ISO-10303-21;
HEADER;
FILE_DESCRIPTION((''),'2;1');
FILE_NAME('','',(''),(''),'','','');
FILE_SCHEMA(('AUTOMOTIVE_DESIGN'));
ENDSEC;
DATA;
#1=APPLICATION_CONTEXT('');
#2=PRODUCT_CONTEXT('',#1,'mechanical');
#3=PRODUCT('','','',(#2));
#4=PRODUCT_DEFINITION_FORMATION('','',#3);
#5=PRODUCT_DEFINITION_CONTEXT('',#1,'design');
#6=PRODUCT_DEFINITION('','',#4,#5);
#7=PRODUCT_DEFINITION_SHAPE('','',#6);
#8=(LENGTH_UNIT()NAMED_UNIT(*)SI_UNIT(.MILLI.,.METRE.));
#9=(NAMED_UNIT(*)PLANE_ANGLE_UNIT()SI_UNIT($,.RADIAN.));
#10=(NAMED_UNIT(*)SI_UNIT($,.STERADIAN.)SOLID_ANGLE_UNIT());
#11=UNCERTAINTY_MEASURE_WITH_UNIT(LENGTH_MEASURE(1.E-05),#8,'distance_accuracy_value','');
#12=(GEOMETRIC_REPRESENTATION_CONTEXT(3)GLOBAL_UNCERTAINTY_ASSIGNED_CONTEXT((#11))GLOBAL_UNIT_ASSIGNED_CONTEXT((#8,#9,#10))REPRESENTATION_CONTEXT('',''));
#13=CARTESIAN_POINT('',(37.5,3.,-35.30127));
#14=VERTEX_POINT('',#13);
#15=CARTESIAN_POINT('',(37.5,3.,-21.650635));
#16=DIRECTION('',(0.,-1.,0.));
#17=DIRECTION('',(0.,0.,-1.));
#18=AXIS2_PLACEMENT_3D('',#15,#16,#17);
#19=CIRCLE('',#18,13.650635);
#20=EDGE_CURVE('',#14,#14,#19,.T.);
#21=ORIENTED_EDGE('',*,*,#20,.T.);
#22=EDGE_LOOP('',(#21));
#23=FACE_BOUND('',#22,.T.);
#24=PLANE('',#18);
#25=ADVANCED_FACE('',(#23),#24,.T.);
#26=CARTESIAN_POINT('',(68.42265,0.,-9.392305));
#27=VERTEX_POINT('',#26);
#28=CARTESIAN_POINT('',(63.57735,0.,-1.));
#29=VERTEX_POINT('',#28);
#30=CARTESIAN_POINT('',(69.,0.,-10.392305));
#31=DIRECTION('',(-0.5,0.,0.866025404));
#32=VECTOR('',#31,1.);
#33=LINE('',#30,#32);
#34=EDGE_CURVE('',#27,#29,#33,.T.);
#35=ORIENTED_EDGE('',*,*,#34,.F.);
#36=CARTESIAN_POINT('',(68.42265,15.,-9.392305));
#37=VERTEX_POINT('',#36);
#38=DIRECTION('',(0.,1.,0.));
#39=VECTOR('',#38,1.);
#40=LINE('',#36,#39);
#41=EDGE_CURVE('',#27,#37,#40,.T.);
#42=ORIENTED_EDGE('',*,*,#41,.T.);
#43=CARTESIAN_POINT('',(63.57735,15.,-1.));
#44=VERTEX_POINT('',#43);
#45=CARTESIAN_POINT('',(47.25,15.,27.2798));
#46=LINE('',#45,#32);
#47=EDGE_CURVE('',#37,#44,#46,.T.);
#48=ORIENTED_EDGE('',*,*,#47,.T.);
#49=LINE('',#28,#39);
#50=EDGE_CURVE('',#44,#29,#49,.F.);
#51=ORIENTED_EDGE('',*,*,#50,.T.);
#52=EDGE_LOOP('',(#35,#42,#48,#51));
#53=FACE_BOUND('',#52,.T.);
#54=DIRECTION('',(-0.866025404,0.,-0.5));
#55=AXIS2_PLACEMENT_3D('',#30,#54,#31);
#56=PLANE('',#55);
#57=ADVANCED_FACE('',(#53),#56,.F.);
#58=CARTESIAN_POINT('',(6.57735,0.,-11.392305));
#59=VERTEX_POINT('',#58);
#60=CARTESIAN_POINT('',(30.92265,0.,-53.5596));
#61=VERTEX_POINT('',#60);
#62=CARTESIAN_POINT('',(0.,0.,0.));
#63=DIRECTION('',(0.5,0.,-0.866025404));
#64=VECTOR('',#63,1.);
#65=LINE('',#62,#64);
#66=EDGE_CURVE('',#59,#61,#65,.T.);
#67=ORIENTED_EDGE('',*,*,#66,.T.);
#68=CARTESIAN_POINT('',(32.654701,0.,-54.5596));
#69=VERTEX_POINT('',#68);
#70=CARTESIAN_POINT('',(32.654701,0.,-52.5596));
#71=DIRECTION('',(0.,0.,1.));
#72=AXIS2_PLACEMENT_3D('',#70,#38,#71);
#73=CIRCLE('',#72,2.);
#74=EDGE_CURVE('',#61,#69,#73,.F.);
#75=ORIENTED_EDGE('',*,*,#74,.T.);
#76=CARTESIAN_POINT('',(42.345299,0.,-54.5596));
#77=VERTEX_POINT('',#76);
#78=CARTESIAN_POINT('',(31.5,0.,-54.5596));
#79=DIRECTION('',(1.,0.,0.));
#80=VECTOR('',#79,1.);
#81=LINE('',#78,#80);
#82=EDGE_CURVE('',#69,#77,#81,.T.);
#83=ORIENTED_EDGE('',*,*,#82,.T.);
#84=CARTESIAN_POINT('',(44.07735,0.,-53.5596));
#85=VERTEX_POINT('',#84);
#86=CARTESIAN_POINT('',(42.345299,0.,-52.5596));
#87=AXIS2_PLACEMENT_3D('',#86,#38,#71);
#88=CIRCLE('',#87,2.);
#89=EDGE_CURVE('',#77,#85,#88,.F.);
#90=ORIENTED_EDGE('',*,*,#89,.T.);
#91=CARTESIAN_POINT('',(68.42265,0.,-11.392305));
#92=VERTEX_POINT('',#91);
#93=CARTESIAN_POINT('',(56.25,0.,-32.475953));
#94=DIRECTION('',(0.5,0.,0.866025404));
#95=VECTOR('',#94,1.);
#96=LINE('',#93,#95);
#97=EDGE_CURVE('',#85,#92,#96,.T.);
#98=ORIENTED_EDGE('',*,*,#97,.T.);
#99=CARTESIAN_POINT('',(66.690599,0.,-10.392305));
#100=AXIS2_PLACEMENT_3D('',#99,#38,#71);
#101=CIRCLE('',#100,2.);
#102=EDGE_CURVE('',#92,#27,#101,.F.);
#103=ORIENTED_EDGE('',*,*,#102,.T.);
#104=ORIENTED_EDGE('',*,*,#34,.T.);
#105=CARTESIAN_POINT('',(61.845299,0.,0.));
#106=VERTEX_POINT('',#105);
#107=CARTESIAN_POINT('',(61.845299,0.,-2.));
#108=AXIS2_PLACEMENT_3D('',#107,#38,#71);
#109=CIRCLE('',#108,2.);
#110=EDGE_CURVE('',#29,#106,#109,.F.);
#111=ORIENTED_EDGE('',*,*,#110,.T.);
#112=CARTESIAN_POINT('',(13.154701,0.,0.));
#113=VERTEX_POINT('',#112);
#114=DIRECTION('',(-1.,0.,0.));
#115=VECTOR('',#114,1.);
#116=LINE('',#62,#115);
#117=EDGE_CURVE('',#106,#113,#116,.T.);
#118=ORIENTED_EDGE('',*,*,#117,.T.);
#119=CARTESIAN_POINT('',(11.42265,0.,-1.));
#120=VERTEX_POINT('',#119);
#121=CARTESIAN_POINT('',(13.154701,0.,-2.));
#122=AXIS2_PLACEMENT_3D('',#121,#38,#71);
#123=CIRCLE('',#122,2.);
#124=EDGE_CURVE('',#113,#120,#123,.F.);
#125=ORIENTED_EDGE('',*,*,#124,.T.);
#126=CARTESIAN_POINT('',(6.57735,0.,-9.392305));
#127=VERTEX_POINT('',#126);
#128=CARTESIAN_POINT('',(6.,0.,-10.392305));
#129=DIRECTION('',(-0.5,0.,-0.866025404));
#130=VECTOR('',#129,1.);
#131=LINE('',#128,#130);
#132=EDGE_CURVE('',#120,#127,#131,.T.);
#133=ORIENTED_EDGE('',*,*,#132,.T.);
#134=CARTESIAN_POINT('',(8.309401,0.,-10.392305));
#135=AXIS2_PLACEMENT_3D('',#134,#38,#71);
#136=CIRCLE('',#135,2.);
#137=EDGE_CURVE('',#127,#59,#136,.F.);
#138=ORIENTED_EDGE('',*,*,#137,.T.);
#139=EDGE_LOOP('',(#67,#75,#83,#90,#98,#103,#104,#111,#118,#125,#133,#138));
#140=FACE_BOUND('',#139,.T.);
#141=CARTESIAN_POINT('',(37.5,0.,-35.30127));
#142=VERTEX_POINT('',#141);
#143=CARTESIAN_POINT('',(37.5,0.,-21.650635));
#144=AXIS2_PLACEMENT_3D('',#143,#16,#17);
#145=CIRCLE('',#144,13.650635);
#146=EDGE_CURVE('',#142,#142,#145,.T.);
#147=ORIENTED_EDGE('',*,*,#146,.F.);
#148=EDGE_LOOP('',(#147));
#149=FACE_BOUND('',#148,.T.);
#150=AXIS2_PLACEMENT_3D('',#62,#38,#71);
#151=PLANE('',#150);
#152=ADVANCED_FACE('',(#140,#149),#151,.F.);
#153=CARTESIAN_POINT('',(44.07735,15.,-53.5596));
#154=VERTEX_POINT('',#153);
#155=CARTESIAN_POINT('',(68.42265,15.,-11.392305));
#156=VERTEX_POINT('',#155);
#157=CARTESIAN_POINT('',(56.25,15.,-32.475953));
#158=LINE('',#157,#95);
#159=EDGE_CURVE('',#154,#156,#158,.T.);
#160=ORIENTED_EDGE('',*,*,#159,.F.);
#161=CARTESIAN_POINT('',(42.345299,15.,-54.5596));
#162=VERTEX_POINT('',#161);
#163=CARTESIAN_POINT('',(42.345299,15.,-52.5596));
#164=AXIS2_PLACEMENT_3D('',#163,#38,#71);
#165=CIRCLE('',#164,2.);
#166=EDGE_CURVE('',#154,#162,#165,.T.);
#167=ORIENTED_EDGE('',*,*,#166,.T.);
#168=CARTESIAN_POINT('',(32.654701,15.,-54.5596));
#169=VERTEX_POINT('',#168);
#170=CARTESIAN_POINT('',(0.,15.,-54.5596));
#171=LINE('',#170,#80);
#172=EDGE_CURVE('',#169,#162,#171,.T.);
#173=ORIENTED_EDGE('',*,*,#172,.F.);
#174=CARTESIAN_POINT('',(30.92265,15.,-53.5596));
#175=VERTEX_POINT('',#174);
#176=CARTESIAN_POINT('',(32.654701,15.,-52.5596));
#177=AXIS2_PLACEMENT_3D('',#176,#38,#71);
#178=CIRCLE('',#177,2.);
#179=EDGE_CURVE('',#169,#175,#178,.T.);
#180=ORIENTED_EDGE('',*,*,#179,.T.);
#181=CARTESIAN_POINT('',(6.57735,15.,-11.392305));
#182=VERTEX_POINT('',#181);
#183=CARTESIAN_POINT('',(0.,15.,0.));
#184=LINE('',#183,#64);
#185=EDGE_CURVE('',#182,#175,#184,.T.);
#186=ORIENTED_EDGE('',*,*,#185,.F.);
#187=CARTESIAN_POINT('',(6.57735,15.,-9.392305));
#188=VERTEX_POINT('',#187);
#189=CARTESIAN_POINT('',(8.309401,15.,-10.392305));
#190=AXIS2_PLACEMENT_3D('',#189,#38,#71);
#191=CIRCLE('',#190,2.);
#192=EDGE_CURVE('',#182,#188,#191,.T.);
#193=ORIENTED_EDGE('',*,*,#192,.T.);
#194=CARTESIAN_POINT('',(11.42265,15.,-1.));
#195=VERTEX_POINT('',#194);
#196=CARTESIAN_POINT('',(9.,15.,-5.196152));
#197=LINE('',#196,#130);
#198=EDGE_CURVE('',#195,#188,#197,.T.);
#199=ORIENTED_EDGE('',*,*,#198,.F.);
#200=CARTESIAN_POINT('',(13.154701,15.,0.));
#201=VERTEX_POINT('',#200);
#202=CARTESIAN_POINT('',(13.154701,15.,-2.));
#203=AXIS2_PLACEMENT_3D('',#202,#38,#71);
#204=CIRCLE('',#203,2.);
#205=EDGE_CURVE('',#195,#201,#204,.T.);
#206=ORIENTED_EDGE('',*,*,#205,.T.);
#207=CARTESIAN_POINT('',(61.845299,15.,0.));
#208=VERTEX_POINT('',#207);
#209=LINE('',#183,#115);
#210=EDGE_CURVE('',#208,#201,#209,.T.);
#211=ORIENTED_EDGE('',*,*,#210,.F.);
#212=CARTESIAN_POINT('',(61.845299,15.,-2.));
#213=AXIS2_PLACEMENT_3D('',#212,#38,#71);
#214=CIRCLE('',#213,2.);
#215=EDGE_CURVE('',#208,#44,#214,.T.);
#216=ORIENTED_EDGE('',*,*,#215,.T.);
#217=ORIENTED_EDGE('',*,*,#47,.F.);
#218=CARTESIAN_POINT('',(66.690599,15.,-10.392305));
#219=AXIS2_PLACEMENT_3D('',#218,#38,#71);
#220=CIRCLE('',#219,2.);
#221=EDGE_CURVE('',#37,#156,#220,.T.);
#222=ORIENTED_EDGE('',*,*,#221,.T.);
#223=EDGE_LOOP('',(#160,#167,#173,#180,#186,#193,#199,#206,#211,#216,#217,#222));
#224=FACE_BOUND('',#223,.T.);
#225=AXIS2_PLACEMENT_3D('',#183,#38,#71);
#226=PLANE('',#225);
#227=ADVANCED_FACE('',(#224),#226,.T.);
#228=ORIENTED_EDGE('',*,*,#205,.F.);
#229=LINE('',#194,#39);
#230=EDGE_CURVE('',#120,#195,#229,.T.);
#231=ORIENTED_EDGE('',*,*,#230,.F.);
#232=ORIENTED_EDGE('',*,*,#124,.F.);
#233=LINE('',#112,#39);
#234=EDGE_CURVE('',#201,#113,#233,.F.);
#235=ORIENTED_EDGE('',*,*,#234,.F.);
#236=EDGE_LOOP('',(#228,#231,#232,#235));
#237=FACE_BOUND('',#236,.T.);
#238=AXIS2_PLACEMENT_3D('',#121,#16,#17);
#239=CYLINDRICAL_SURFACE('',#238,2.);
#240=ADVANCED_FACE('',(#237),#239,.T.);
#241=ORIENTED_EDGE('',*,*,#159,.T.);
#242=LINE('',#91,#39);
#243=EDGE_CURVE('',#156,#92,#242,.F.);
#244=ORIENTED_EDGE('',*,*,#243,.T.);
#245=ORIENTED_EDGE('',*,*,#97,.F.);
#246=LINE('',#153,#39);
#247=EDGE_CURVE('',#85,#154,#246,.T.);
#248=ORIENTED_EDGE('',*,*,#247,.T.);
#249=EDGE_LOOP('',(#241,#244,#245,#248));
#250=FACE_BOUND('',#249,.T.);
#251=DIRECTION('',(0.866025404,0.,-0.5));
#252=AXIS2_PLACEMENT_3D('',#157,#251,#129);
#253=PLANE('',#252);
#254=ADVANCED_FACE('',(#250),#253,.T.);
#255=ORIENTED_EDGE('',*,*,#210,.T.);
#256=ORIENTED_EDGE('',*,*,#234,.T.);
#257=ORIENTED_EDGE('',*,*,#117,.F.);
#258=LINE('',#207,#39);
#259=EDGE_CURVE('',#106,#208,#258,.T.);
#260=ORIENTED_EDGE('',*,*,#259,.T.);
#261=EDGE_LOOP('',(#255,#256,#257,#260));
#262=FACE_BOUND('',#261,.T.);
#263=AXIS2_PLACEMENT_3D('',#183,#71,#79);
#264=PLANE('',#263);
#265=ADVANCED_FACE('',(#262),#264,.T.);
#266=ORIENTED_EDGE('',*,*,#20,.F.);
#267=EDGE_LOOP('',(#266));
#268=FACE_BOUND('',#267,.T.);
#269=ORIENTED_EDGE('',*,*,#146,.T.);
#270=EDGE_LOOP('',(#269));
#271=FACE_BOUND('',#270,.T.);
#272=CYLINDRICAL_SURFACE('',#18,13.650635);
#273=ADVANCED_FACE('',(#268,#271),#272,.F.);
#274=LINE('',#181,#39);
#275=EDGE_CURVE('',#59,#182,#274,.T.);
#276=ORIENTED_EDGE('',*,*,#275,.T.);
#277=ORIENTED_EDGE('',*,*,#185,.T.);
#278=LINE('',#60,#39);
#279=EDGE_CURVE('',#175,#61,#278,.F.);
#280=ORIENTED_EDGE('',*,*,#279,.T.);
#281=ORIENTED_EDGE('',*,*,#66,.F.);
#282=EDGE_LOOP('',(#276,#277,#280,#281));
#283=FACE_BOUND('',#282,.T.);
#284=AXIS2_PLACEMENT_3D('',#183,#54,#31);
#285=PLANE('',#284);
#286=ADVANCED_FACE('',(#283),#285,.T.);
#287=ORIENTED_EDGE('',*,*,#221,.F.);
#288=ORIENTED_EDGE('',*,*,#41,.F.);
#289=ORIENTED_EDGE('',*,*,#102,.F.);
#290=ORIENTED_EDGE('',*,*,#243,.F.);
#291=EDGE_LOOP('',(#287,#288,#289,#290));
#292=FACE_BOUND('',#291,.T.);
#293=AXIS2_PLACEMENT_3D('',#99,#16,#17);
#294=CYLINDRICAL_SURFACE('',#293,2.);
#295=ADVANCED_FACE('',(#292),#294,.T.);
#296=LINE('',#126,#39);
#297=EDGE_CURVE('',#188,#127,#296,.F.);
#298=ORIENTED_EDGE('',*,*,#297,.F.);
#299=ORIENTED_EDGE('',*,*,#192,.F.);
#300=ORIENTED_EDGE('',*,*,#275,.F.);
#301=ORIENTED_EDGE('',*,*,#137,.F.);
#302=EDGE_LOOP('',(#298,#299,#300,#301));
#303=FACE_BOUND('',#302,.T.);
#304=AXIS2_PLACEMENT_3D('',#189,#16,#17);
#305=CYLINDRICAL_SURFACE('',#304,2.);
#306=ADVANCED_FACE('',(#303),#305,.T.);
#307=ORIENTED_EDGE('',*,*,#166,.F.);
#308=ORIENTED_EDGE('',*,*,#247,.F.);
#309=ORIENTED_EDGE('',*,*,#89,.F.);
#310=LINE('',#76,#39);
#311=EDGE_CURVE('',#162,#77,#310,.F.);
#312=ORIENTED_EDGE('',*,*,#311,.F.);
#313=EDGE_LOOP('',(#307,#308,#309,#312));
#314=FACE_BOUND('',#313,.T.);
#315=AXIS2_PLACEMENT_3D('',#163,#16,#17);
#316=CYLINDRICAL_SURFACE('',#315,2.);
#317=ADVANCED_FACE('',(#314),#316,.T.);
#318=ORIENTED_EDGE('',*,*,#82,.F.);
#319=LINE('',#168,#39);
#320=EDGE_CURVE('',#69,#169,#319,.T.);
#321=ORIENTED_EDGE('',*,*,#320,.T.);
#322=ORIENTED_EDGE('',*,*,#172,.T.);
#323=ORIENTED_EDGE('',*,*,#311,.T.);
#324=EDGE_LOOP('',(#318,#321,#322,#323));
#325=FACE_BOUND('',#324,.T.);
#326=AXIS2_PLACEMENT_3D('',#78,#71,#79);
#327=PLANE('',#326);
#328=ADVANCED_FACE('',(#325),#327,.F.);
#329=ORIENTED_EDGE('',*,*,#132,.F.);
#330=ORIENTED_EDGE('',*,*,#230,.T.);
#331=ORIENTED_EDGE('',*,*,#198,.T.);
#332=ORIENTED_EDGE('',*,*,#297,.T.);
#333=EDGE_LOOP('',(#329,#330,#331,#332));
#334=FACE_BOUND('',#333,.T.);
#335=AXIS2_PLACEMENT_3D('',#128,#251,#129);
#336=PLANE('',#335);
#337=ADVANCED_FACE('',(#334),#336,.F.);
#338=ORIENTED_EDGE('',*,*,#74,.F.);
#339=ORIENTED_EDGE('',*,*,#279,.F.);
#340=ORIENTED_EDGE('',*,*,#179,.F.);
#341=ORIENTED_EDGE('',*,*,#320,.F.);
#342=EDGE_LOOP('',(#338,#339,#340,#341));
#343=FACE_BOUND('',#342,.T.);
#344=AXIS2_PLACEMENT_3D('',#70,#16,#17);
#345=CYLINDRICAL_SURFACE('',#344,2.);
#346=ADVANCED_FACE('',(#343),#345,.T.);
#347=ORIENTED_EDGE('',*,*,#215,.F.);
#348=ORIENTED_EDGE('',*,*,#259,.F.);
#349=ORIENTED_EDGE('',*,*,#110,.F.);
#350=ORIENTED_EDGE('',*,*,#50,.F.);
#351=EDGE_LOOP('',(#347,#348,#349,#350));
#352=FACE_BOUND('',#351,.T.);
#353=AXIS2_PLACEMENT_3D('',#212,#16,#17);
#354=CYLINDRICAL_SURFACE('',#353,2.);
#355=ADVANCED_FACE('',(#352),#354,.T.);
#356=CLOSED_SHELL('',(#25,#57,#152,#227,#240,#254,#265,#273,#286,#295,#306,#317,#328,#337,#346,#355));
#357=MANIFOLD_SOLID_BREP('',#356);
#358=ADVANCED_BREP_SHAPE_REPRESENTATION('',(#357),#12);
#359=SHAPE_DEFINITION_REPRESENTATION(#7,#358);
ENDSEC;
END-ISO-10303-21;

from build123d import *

# Parameters (mm, degrees)
SKETCH2_R               = 21.650635095
BOSS_EXTRUDE1_DEPTH     = 15
CUT_EXTRUDE1_DEPTH      = 1
CUT_EXTRUDE1_DEPTH_BACK = 16
FILLET1_R               = 2
SKETCH4_R               = 13.650635095
CUT_EXTRUDE2_DEPTH      = 3


with BuildPart() as part:
    # Sketch2 → Boss-Extrude1 (new body)
    with BuildSketch(Plane(origin=(0, 0, 0), x_dir=(1, 0, 0), z_dir=(0, 1, 0))):
        with Locations((37.5, 21.650635095)):
            Circle(SKETCH2_R)
        with BuildLine():
            Line((18.749999007, 32.475950921), (0, 0))
            Line((0, 0), (37.5, 0))
            ThreePointArc((37.5, 0), (18.750000497, 10.825316687), (18.749999007, 32.475950921))
        make_face()
        with BuildLine():
            Line((37.5, 64.951905284), (18.749999007, 32.475950921))
            ThreePointArc((18.749999007, 32.475950921), (37.499999914, 43.301270189), (56.250000907, 32.47595107))
            Line((56.250000907, 32.47595107), (37.5, 64.951905284))
        make_face()
        with BuildLine():
            ThreePointArc((59.150635095, 21.650635095), (52.809310892, 6.341324202), (37.5, 0))
            Line((37.5, 0), (75, 0))
            Line((75, 0), (56.250000907, 32.47595107))
            ThreePointArc((56.250000907, 32.47595107), (58.412907828, 27.254230919), (59.150635095, 21.650635095))
        make_face()
    extrude(amount=BOSS_EXTRUDE1_DEPTH)

    # Sketch3 → Cut-Extrude1 (cut, two sides)
    with BuildSketch(Plane(origin=(0, 15, 0), x_dir=(1, 0, 0), z_dir=(0, 1, 0))) as cut_extrude1_sk:
        Polygon((31.5, 54.559600438), (43.5, 54.559600438), (37.5, 64.951905284), align=None)
        Polygon((0, 0), (6, 10.392304845), (12, 0), align=None)
        Polygon((75, 0), (69, 10.392304845), (63, 0), align=None)
    extrude(amount=CUT_EXTRUDE1_DEPTH, mode=Mode.SUBTRACT)
    extrude(cut_extrude1_sk.sketch, amount=-CUT_EXTRUDE1_DEPTH_BACK, mode=Mode.SUBTRACT)

    # Fillet1
    fillet1_edges = [part.edges().sort_by_distance(p)[0] for p in [
        (31.5, 7.5, -54.559600438),
        (43.5, 7.5, -54.559600438),
        (12, 7.5, 0),
        (6, 7.5, -10.392304845),
        (63, 7.5, 0),
        (69, 7.5, -10.392304845),
    ]]
    fillet(fillet1_edges, radius=FILLET1_R)

    # Sketch4 → Cut-Extrude2 (cut)
    with BuildSketch(Plane.XZ):
        with Locations((37.5, -21.650635095)):
            Circle(SKETCH4_R)
    extrude(amount=-CUT_EXTRUDE2_DEPTH, mode=Mode.SUBTRACT)


solid = part.part
